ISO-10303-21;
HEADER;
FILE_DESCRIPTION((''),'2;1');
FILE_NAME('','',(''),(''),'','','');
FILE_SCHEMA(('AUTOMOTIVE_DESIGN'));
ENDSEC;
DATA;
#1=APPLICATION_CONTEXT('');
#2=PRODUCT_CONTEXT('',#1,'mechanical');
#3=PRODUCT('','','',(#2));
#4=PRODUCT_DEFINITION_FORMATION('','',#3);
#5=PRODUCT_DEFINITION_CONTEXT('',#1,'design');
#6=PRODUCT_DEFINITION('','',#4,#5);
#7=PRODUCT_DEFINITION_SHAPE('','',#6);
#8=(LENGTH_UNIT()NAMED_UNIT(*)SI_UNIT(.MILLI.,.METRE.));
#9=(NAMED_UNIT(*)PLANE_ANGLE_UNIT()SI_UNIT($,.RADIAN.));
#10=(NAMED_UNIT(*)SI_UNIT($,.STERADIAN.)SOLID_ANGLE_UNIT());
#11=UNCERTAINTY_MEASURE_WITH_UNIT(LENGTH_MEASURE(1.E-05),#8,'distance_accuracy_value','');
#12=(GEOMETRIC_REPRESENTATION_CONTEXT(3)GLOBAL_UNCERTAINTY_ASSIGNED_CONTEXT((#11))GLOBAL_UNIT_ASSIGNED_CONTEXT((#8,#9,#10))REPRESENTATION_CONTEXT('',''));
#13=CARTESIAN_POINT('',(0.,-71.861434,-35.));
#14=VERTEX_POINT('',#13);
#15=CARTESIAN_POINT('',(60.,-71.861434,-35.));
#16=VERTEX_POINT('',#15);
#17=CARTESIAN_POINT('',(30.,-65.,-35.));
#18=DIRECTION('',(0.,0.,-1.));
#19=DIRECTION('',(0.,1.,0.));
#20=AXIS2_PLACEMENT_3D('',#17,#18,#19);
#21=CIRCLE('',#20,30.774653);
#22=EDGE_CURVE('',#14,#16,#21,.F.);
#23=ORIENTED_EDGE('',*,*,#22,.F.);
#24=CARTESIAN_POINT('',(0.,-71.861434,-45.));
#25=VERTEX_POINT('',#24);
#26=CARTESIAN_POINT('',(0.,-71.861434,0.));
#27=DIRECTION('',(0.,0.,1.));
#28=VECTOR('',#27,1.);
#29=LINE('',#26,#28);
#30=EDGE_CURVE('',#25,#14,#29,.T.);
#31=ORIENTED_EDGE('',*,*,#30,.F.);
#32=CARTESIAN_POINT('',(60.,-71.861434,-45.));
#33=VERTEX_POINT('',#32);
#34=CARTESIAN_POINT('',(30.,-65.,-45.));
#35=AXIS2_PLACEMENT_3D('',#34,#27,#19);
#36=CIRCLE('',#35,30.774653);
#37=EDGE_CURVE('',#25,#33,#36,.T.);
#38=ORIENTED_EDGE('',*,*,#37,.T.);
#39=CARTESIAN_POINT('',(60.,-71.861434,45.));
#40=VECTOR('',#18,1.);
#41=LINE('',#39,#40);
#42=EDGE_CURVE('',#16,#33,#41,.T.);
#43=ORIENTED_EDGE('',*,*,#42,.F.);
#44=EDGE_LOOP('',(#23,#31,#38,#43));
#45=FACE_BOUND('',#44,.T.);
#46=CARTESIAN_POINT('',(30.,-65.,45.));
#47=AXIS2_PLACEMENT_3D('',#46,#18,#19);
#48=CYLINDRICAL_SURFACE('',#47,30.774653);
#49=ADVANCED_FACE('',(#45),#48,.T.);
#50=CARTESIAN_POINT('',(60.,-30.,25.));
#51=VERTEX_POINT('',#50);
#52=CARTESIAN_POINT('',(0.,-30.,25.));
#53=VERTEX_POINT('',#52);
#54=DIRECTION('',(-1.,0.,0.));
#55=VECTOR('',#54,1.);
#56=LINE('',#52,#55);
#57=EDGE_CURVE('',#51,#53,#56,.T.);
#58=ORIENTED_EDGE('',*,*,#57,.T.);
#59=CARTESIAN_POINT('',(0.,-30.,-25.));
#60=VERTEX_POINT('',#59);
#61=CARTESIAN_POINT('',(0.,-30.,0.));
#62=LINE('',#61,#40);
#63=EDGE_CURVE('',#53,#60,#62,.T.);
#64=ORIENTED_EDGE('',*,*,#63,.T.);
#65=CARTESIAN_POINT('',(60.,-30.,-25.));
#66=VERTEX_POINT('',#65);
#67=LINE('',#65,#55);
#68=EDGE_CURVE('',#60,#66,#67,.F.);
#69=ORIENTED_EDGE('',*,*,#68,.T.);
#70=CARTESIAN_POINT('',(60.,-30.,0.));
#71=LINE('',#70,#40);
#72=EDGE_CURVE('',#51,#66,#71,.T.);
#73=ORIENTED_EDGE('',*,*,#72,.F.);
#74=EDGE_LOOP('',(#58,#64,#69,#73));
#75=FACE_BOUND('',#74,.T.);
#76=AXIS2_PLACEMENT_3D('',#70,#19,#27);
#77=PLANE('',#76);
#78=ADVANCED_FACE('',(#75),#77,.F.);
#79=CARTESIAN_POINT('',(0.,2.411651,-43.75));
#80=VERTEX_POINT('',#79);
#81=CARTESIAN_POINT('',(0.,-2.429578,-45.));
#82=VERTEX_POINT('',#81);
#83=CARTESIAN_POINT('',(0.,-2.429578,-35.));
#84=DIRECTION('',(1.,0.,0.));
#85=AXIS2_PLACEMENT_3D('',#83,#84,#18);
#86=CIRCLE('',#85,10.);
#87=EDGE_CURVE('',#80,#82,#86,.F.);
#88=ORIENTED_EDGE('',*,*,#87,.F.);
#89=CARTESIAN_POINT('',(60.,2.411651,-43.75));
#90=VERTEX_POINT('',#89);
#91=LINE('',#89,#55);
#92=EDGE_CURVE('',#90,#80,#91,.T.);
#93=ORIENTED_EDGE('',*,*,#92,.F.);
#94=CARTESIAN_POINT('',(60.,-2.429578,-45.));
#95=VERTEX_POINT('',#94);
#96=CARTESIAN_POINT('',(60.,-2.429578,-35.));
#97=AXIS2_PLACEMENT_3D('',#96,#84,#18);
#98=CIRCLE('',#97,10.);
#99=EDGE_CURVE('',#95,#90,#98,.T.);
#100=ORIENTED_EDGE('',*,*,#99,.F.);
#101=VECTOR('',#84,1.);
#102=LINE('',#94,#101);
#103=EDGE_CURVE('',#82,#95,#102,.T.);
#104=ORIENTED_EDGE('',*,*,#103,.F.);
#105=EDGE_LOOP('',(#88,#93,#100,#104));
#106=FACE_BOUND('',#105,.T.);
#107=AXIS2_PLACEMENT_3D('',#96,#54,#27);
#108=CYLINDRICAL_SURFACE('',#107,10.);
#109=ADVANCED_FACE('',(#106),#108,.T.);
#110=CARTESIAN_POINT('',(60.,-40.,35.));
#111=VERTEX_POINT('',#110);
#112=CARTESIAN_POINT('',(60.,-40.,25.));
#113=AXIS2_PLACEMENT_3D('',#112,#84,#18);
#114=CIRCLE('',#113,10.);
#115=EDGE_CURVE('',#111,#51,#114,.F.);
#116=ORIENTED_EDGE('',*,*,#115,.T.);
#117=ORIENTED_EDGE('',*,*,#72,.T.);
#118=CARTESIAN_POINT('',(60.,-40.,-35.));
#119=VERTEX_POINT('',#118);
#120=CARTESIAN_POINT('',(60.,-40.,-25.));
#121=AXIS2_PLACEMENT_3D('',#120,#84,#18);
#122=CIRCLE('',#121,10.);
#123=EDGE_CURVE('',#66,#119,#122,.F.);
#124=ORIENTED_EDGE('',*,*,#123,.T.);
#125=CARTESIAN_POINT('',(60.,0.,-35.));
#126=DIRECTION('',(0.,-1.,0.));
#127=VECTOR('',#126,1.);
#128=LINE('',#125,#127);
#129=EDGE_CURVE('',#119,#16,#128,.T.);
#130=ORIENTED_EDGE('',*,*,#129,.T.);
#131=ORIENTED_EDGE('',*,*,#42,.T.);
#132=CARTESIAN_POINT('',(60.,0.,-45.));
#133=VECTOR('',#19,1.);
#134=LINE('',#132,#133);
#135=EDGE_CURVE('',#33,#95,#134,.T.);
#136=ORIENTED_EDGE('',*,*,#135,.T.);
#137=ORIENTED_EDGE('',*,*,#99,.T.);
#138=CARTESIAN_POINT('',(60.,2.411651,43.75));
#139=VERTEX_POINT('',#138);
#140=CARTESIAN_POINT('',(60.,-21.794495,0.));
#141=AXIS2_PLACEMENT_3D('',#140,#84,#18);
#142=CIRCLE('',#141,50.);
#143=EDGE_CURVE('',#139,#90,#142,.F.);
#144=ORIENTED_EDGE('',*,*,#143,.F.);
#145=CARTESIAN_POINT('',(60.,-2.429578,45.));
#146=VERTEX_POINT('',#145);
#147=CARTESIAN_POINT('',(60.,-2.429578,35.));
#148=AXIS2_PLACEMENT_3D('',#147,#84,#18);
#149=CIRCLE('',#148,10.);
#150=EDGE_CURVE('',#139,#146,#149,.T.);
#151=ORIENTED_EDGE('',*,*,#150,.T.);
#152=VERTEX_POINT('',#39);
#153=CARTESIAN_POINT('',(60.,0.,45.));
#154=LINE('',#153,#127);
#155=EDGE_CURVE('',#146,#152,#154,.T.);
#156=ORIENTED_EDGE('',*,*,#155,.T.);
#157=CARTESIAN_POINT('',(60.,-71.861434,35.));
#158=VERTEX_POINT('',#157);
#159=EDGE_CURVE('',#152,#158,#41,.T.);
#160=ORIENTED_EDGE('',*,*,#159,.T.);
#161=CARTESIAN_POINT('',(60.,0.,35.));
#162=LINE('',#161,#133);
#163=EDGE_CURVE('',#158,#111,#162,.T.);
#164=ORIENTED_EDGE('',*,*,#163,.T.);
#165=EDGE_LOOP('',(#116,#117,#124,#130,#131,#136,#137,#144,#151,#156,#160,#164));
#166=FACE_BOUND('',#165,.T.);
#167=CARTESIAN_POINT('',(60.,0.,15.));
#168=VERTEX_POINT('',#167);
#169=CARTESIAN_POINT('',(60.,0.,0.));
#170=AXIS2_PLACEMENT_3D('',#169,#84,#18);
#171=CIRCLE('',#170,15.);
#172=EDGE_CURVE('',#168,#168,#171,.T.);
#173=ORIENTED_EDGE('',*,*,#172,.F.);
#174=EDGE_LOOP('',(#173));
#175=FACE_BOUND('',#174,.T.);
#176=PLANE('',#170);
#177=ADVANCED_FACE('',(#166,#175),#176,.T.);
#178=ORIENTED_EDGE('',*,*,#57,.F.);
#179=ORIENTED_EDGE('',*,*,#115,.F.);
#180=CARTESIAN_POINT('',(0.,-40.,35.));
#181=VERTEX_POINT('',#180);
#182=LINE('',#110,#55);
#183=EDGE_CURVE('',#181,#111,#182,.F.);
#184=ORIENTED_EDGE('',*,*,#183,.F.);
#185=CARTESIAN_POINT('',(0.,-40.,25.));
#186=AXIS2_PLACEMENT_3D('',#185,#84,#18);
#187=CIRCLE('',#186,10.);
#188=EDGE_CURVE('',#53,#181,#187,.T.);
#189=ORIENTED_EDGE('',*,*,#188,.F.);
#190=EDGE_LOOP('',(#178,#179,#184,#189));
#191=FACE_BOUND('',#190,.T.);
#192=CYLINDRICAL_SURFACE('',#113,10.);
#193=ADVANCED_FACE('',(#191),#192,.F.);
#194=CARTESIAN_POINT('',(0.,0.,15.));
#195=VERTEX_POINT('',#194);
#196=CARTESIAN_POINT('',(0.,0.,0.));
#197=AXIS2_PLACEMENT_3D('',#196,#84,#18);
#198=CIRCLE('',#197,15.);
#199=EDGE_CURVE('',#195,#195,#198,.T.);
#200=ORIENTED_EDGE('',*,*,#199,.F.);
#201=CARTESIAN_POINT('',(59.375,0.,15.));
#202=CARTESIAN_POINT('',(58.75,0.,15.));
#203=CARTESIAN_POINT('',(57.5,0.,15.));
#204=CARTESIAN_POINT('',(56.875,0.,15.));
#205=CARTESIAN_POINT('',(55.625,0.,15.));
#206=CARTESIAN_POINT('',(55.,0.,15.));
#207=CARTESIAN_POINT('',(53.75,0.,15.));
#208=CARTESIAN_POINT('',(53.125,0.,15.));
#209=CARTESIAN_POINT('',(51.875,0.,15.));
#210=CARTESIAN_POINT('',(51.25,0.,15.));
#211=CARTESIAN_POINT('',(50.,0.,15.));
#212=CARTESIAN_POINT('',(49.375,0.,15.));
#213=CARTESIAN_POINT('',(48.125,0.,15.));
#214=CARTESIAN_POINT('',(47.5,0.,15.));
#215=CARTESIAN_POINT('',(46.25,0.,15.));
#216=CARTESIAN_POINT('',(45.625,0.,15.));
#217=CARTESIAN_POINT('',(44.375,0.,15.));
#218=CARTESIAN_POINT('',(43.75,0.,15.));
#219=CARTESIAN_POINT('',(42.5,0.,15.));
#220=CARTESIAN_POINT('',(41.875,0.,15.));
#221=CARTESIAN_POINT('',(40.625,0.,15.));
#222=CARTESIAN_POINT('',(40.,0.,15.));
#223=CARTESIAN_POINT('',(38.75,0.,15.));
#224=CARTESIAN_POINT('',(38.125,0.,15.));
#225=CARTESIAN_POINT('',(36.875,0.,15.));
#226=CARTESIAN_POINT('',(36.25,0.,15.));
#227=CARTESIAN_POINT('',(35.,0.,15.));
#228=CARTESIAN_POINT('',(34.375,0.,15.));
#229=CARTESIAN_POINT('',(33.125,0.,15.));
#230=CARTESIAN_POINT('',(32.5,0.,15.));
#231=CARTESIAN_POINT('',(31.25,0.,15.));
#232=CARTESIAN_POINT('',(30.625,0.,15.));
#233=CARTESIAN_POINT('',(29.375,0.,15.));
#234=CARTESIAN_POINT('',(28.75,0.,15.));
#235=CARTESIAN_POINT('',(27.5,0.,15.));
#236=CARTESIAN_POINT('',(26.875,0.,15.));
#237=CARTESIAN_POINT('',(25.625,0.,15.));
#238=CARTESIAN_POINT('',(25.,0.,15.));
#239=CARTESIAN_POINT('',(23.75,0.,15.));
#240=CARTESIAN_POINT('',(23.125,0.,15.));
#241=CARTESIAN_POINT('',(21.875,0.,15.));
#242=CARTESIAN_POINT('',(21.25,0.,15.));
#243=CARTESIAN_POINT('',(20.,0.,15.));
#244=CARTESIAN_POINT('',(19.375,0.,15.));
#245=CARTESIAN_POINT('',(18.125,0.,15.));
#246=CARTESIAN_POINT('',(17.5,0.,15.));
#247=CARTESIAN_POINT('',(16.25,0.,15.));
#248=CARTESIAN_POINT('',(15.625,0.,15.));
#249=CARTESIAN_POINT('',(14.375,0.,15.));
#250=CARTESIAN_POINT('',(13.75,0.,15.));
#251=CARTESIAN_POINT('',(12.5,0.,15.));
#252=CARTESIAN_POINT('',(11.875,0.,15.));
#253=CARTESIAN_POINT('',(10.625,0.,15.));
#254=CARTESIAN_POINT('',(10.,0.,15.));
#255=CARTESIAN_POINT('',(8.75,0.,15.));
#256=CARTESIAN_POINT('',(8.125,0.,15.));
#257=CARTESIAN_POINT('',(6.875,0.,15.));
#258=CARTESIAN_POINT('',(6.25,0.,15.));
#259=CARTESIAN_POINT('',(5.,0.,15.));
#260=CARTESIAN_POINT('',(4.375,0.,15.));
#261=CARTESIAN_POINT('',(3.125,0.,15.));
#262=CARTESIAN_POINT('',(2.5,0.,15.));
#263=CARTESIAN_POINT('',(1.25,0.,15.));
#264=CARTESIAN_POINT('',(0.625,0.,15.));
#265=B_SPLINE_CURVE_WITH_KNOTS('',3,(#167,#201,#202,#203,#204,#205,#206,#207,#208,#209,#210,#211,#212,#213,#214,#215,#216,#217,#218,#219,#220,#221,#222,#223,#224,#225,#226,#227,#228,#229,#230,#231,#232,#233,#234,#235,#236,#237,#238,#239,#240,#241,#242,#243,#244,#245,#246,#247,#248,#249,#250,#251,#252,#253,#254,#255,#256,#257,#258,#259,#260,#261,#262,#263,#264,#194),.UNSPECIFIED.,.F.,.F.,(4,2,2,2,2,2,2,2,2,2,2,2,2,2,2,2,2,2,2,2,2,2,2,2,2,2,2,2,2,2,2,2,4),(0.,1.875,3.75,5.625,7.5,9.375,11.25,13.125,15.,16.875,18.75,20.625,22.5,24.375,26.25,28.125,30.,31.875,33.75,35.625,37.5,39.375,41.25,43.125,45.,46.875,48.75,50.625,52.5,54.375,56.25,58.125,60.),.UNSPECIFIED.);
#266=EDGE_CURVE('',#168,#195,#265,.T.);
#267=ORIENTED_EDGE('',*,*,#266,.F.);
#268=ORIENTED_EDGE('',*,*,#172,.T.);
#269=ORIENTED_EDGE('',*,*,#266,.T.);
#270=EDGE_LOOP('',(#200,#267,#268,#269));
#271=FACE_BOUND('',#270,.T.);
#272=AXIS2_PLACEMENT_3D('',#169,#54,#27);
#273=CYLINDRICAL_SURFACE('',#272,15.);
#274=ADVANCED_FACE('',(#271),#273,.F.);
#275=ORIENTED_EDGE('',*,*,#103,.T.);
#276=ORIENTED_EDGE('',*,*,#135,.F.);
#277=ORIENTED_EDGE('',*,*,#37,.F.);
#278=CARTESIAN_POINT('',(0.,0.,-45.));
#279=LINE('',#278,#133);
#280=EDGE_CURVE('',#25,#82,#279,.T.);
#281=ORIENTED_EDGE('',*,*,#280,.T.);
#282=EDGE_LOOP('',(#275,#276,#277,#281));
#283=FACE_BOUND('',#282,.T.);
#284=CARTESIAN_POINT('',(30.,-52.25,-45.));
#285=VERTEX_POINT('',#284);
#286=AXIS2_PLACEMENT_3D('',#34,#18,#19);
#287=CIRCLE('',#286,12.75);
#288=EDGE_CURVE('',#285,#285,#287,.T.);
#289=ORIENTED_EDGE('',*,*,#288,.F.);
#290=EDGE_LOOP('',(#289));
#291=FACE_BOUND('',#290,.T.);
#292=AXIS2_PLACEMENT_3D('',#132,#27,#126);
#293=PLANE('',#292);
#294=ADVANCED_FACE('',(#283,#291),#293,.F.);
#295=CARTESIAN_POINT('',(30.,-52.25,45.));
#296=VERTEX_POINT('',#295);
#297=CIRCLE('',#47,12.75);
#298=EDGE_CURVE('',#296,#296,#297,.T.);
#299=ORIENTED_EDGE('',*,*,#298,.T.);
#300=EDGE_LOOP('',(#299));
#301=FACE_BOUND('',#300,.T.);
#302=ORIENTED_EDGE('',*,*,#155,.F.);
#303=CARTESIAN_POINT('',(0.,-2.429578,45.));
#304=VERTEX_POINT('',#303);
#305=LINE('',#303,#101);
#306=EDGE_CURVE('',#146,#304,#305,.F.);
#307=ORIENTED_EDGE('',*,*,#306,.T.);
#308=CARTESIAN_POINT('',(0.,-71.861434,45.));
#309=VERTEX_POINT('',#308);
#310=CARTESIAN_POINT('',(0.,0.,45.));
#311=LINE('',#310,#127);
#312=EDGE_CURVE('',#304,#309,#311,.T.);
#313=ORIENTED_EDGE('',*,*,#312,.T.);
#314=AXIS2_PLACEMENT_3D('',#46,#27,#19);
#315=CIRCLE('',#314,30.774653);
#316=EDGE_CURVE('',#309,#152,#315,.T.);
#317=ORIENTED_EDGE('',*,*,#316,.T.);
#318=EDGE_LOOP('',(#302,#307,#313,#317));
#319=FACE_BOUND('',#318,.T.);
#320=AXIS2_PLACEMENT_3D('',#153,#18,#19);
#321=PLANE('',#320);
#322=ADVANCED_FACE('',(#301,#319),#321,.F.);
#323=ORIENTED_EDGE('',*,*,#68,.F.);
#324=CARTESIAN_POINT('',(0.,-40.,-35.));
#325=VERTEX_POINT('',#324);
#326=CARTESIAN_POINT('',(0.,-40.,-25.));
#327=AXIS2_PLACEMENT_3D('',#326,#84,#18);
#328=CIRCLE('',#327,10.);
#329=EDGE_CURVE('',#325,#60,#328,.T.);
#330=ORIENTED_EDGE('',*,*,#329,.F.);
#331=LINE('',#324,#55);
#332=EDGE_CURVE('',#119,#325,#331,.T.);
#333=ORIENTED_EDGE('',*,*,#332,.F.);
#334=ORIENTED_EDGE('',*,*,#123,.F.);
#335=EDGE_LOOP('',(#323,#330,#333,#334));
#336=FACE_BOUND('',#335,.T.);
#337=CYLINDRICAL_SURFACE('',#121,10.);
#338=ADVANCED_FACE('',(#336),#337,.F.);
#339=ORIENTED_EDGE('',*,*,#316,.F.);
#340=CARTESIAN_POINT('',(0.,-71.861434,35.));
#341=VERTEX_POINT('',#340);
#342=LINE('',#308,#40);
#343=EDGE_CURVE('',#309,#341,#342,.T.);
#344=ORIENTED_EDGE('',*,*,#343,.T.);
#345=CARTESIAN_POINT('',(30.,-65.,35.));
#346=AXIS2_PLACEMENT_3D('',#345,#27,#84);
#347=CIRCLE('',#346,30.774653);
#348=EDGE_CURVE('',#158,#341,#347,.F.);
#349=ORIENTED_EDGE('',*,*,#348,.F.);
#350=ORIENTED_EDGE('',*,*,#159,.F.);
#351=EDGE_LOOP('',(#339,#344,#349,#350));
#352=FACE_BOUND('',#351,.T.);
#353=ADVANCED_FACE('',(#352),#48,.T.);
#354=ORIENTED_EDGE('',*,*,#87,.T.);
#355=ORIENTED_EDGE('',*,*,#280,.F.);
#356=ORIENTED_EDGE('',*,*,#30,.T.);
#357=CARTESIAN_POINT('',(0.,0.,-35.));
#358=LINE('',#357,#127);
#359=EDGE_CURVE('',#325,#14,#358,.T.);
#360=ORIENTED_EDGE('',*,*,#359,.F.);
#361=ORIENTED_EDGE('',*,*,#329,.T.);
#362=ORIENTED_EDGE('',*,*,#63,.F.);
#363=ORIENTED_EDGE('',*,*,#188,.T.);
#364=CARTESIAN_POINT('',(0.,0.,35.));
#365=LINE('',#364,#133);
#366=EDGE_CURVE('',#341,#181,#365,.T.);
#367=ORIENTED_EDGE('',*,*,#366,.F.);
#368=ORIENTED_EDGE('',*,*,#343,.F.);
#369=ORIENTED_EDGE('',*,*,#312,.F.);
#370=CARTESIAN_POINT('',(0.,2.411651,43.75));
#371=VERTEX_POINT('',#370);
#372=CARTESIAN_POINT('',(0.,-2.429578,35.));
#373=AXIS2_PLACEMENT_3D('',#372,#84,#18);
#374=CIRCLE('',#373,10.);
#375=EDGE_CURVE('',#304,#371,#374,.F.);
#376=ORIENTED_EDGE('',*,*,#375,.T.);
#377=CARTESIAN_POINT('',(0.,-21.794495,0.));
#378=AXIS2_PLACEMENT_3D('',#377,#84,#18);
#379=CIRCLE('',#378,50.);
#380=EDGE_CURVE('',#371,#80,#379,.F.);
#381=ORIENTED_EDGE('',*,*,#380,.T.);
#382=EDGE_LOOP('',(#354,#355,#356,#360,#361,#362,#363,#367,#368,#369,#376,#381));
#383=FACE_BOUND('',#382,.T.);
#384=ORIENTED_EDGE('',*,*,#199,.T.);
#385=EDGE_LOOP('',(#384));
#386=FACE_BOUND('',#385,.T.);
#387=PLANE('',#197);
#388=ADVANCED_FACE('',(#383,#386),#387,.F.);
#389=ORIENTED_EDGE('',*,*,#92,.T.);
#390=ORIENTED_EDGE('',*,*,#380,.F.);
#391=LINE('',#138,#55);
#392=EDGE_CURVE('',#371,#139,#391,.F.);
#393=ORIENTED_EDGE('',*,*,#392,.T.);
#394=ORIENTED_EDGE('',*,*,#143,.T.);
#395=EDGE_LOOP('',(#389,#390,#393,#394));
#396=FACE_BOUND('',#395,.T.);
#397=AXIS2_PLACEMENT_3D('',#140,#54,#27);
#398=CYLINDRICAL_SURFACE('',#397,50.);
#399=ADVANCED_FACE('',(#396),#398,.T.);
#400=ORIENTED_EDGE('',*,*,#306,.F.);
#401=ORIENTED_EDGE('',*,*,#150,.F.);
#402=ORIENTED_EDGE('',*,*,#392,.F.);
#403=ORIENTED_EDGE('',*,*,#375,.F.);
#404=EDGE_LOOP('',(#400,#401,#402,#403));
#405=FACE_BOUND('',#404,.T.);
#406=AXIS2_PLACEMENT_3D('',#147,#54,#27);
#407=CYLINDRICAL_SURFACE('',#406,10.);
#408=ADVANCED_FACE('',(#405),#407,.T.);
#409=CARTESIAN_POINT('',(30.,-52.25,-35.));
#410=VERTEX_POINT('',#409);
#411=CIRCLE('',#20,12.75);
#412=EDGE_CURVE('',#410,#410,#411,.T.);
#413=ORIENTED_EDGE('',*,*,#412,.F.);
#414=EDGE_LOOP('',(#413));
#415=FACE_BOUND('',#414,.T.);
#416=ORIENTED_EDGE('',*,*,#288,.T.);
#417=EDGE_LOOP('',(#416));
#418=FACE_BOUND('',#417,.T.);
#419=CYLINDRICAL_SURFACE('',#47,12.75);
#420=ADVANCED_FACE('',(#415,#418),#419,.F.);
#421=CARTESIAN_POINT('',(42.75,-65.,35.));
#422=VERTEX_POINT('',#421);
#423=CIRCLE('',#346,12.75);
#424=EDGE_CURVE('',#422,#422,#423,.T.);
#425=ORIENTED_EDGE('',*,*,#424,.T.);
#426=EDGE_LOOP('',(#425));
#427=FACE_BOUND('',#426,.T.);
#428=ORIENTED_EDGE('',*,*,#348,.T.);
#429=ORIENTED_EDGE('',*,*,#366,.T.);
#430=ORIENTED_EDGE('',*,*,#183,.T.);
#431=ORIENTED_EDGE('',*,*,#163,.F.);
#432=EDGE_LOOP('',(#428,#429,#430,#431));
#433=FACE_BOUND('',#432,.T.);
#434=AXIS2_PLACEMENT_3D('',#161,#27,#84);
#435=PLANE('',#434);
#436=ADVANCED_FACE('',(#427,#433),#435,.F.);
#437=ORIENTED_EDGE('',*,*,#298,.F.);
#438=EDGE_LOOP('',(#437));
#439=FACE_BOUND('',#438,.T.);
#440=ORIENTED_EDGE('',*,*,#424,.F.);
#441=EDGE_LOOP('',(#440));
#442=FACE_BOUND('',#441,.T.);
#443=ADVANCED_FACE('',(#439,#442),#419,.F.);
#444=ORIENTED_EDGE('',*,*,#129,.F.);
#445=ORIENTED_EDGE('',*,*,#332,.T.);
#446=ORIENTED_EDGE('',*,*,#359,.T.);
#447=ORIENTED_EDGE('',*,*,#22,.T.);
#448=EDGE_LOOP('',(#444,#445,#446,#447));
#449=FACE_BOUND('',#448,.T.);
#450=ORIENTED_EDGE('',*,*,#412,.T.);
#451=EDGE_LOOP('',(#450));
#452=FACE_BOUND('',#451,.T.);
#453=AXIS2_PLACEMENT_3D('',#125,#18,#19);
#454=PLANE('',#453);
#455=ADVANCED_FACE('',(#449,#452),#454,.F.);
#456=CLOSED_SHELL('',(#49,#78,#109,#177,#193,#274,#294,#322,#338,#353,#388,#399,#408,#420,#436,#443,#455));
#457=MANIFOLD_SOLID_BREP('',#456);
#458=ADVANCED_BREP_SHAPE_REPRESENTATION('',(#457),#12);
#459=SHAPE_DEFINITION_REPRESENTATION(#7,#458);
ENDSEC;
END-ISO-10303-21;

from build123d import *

# Parameters (mm, degrees)
ESQUISSE1_R             = 15
BOSS_EXTRU_1_DEPTH      = 60
ESQUISSE2_R             = 12.75
ENL_V_MAT_EXTRU_1_DEPTH = 148.309198627
CONG_1_R                = 10


with BuildPart() as part:
    # Esquisse1 → Boss.-Extru.1 (new body)
    with BuildSketch(Plane(origin=(0, 0, 0), x_dir=(0, 0, -1), z_dir=(1, 0, 0))):
        with BuildLine():
            ThreePointArc((45, 0), (0, 28.205505282), (-45, 0))
            Line((-45, 0), (-45, -100))
            Line((-45, -100), (-35, -100))
            Line((-35, -100), (-35, -30))
            Line((-35, -30), (35, -30))
            Line((35, -30), (35, -100))
            Line((35, -100), (45, -100))
            Line((45, -100), (45, 0))
        make_face()
        Circle(ESQUISSE1_R, mode=Mode.SUBTRACT)
    extrude(amount=BOSS_EXTRU_1_DEPTH)

    # Esquisse2 → Enlèv. mat.-Extru.1 (cut, through all)
    with BuildSketch(Plane(origin=(0, 0, -45), x_dir=(-1, 0, 0), z_dir=(0, 0, -1))):
        with Locations((-30, -65)):
            Circle(ESQUISSE2_R)
        with BuildLine():
            Line((-60, -71.861434349), (-96.965788421, -71.861434349))
            Line((-96.965788421, -71.861434349), (-96.965788421, -138.438192961))
            Line((-96.965788421, -138.438192961), (33.77611945, -138.438192961))
            Line((33.77611945, -138.438192961), (33.77611945, -71.861434349))
            Line((33.77611945, -71.861434349), (0, -71.861434349))
            ThreePointArc((0, -71.861434349), (-30, -95.774653228), (-60, -71.861434349))
        make_face()
    extrude(amount=-ENL_V_MAT_EXTRU_1_DEPTH, mode=Mode.SUBTRACT)

    # Congé1
    cong_1_edges = [part.edges().sort_by_distance(p)[0] for p in [
        (30, 0, -45),
        (30, 0, 45),
        (30, -30, 35),
        (30, -30, -35),
    ]]
    fillet(cong_1_edges, radius=CONG_1_R)


solid = part.part
